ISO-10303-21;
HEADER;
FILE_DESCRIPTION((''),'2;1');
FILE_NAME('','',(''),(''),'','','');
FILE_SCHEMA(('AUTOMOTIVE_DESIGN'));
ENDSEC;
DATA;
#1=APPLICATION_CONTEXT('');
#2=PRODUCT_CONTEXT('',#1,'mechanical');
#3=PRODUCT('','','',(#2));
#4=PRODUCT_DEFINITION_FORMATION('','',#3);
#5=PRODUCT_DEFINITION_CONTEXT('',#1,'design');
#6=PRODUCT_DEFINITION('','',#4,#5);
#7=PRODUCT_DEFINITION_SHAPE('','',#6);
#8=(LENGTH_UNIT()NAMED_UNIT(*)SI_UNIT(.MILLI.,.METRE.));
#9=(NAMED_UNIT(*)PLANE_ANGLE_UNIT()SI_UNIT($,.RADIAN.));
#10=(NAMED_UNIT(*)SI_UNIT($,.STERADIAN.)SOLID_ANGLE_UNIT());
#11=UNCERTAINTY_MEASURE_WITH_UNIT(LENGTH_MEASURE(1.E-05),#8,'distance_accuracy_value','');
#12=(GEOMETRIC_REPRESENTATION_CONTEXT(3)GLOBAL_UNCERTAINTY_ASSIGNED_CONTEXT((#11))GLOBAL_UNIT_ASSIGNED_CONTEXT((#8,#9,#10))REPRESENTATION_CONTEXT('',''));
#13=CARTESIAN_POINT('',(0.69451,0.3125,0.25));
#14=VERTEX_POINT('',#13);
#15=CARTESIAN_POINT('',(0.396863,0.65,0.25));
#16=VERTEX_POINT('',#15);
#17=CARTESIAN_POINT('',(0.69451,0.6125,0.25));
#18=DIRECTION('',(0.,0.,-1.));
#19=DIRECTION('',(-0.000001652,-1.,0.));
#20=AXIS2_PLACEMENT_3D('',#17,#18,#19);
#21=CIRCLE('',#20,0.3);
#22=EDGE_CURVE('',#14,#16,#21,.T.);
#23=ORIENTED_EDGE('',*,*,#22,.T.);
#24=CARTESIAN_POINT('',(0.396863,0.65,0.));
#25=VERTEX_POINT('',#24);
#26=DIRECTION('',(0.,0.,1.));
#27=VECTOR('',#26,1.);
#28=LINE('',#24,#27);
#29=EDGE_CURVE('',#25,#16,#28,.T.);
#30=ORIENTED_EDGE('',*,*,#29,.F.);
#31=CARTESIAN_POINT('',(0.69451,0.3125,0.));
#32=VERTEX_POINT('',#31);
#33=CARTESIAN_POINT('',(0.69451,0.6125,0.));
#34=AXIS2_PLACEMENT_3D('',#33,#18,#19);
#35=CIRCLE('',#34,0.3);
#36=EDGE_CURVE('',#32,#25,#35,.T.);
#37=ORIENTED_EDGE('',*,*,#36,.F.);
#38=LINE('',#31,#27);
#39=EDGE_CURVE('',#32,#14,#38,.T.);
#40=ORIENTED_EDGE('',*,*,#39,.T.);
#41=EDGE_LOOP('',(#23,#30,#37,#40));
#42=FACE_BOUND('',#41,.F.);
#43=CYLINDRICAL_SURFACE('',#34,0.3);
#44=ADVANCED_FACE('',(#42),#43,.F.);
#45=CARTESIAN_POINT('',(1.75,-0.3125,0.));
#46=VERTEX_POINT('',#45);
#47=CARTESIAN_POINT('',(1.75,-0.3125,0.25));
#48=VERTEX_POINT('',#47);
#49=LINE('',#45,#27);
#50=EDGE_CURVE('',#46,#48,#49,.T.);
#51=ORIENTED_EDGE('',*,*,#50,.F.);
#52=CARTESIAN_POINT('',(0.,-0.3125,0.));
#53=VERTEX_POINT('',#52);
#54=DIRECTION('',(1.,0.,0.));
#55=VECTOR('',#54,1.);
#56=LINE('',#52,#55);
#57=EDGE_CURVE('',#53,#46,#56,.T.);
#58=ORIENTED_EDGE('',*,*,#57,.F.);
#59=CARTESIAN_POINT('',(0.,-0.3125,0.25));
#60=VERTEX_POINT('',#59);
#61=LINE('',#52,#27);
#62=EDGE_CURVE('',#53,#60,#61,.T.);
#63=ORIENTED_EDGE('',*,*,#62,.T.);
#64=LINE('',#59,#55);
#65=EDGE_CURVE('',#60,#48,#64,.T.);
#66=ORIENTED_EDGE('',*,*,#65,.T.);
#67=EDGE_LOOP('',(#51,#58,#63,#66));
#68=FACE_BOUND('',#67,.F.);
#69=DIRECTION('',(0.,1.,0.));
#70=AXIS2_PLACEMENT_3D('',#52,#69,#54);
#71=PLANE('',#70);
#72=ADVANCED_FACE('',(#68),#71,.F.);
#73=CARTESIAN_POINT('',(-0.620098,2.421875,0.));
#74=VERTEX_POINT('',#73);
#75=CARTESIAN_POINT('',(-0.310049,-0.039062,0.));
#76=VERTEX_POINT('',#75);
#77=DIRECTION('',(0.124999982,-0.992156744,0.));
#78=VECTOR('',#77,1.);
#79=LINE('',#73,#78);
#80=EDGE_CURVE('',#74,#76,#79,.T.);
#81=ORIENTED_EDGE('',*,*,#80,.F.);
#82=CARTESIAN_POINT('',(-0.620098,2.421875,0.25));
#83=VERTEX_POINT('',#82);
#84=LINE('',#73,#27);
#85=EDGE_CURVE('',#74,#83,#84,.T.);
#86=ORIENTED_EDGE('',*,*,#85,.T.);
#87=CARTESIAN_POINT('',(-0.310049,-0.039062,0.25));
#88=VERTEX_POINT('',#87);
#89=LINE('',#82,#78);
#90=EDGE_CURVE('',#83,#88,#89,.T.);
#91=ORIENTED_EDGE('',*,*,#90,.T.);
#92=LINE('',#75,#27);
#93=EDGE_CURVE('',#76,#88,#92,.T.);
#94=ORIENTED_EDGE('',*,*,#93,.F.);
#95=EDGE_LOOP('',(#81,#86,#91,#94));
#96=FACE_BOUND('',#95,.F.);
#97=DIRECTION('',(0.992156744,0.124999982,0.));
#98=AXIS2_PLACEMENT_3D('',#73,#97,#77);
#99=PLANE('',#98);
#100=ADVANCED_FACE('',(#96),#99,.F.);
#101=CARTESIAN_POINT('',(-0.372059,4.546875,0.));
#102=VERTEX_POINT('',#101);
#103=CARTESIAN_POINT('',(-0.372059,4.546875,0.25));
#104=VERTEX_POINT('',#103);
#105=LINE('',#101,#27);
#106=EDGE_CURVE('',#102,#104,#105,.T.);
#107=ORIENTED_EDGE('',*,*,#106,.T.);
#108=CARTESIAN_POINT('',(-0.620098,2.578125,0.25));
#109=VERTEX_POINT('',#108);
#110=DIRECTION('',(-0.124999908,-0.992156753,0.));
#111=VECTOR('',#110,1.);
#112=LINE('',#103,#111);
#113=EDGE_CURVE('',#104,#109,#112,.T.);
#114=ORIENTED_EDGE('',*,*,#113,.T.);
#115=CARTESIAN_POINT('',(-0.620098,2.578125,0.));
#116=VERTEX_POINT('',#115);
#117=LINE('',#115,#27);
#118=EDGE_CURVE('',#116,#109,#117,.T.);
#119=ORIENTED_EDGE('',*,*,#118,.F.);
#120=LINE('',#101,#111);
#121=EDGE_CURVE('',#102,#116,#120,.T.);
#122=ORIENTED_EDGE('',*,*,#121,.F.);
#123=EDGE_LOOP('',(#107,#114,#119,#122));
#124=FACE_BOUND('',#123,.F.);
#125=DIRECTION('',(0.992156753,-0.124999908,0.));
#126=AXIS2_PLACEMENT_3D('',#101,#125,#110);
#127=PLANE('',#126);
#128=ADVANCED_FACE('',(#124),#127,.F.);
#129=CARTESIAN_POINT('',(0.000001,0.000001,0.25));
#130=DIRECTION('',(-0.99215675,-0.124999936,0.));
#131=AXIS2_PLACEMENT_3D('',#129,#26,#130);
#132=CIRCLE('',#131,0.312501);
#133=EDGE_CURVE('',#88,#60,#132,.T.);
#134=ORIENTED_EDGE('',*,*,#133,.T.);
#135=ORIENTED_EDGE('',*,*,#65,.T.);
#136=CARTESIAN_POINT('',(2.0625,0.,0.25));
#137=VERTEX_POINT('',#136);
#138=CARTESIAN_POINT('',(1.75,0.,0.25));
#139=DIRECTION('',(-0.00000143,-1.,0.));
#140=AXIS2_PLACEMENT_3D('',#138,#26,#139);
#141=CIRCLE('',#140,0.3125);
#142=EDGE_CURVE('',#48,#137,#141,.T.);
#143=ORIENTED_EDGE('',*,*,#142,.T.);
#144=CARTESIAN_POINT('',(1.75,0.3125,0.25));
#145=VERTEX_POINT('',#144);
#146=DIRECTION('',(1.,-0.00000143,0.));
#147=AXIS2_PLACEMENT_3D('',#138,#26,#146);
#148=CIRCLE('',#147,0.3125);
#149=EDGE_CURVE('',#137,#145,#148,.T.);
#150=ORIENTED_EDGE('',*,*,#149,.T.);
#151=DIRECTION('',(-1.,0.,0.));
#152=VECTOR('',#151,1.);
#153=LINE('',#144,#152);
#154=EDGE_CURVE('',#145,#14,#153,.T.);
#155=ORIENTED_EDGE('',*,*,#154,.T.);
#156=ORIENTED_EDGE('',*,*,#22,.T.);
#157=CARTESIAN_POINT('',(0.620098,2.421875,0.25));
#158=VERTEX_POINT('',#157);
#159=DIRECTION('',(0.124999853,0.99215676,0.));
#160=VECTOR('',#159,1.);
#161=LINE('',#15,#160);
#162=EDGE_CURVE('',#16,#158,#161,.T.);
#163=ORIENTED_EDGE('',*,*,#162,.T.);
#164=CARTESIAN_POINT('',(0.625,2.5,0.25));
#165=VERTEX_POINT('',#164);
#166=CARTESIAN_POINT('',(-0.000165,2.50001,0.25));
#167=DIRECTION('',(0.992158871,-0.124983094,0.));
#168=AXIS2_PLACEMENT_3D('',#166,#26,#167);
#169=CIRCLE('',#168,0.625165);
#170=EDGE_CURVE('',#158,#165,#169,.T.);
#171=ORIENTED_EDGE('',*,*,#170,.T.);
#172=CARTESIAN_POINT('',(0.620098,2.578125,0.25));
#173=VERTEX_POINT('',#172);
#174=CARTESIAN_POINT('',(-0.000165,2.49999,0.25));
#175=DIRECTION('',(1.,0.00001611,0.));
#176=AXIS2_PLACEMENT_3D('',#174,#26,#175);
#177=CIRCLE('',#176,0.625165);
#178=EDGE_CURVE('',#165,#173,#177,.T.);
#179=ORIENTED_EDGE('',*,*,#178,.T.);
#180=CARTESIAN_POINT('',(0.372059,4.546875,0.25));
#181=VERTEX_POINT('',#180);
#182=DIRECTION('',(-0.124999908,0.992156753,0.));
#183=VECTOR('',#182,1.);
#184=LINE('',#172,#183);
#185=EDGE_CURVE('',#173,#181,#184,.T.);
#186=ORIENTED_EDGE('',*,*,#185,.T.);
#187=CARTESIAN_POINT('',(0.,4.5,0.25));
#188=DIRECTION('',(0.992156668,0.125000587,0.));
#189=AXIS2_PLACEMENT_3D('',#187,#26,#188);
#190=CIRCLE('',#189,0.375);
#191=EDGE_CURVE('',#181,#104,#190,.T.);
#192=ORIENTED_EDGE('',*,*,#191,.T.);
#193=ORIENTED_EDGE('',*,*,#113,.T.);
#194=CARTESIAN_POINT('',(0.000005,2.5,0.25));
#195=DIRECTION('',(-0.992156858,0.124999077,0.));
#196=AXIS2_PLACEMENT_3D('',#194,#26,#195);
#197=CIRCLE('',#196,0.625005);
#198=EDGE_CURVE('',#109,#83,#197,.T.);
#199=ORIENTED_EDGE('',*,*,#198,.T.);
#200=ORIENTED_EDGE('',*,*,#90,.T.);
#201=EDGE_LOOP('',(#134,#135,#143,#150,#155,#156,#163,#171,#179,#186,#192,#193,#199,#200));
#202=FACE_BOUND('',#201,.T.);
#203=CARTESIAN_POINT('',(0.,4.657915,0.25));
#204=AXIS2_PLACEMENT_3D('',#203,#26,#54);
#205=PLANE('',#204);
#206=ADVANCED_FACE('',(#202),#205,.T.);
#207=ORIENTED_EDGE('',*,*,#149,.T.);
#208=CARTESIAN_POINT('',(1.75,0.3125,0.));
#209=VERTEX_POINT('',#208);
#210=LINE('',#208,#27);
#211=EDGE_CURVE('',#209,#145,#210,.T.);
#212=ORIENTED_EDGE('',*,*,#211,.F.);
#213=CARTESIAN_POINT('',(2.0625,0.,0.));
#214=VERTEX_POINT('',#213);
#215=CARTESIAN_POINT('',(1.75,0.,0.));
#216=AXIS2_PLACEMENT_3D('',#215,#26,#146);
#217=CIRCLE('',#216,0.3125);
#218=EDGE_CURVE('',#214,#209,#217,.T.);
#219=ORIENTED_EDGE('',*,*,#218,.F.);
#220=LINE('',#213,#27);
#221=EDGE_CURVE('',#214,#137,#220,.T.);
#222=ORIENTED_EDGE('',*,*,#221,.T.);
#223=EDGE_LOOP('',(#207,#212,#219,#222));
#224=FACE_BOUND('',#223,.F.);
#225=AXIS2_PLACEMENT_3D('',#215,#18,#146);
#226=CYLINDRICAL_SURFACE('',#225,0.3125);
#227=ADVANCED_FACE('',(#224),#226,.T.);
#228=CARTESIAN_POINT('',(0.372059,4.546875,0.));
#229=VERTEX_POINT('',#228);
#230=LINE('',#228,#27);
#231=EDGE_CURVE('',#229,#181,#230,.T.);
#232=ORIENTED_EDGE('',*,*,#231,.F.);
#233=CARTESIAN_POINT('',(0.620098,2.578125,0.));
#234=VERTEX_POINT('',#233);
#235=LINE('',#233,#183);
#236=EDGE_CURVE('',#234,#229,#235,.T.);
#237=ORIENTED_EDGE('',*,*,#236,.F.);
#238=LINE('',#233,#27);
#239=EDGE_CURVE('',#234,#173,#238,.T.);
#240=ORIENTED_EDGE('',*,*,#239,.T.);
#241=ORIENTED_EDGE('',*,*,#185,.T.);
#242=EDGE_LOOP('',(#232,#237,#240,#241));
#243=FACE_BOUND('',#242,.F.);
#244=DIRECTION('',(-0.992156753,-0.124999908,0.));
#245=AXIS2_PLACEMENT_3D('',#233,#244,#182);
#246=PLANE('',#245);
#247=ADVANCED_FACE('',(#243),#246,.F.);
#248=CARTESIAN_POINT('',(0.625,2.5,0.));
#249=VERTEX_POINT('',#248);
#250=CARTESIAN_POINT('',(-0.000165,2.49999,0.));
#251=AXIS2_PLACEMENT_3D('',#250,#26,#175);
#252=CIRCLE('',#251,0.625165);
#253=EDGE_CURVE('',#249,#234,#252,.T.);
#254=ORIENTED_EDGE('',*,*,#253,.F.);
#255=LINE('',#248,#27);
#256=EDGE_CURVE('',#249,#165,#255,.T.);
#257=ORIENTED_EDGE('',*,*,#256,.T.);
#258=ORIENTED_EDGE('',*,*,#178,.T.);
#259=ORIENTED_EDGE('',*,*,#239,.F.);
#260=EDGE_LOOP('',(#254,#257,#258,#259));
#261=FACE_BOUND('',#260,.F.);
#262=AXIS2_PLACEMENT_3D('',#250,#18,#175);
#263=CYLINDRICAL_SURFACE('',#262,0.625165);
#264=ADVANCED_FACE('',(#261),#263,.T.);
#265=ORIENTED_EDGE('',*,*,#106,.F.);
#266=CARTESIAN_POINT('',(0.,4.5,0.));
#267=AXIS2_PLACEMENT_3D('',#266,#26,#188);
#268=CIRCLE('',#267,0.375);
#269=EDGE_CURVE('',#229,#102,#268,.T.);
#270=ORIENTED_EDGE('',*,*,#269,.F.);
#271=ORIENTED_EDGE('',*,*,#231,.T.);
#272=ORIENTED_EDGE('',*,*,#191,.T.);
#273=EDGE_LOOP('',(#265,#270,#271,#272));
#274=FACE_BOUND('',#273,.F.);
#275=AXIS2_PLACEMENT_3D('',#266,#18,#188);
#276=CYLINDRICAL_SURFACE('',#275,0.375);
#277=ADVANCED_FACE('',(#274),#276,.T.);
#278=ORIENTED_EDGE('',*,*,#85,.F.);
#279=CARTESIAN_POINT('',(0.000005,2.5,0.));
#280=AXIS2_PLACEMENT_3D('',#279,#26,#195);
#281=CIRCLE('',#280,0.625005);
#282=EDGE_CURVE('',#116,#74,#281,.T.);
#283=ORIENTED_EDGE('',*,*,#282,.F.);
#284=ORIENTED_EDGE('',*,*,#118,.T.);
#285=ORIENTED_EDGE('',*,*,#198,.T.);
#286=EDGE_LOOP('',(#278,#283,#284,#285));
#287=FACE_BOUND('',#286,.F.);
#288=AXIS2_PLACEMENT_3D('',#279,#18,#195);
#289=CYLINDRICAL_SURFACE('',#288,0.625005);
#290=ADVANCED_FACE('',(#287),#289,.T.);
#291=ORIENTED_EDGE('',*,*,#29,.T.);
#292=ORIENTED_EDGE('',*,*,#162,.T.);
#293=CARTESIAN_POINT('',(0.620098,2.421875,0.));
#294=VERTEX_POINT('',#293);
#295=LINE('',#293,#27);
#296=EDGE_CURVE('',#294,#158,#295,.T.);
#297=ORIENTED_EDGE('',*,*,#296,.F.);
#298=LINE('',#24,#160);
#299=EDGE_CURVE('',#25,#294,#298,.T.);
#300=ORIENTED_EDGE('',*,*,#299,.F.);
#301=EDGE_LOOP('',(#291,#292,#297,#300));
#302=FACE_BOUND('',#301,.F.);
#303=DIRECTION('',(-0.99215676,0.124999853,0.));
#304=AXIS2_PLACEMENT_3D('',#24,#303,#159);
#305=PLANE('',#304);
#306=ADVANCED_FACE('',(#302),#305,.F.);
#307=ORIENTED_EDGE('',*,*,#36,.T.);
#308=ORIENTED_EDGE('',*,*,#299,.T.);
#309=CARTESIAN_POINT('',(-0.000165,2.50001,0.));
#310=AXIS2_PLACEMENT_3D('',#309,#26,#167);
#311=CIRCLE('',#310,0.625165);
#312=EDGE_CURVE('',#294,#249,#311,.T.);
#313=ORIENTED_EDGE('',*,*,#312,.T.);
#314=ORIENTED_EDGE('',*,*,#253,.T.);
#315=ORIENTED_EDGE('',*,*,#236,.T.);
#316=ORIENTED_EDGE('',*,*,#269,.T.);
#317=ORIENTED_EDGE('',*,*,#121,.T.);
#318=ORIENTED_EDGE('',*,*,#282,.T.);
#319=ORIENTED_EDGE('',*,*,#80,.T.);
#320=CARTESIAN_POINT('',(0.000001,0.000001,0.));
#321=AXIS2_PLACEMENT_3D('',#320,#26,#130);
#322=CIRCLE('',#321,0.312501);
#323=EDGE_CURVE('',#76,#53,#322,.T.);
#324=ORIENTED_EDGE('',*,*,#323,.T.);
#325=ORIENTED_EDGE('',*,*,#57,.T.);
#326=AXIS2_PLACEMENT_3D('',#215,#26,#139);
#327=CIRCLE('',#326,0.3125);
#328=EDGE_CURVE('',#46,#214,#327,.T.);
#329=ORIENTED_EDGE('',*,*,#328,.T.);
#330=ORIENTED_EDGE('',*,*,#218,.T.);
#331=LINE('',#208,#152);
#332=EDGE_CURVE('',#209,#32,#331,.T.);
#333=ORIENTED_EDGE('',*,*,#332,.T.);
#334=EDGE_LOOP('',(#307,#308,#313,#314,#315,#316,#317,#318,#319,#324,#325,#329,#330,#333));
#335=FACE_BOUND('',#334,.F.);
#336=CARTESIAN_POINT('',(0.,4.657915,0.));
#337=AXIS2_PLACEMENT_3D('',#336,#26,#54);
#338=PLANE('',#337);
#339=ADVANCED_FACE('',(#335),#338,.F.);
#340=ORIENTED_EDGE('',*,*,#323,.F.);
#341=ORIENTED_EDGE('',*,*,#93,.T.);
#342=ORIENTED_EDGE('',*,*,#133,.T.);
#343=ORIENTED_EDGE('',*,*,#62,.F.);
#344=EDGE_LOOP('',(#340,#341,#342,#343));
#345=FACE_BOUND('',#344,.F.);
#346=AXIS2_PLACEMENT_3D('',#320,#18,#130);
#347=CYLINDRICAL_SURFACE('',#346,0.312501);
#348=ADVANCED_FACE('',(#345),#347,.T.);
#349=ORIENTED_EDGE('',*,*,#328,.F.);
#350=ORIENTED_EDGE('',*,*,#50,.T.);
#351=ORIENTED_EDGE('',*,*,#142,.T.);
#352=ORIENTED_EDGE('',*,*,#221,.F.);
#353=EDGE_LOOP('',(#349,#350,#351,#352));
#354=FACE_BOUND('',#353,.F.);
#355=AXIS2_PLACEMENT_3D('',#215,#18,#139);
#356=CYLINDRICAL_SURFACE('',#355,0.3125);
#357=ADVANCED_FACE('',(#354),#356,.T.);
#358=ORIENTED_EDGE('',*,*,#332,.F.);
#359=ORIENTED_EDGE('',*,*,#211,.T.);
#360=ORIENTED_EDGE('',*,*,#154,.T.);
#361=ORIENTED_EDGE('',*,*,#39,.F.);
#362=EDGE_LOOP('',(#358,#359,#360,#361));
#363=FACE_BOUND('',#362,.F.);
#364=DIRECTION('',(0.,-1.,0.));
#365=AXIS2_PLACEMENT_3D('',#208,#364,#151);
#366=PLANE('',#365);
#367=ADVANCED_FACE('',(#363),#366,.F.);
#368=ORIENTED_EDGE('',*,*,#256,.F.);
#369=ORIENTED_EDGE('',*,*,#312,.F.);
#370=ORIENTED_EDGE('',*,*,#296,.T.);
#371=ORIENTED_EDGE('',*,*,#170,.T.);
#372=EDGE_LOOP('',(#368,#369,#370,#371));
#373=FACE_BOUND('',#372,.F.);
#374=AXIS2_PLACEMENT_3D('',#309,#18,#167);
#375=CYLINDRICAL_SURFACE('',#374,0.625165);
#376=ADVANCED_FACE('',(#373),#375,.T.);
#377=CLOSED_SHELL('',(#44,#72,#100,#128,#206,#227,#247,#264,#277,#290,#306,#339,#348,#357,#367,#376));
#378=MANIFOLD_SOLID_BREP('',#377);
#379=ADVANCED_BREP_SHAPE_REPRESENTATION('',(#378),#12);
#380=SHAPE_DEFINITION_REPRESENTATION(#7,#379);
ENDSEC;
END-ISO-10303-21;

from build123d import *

# Parameters (mm, degrees)
F1_DEPTH = 0.25


with BuildPart() as f1:
    # F0 (on Top) → F1 (new body)
    with BuildSketch(Plane.XY):
        with BuildLine():
            Line((-0.372059, 4.546875), (0.372059, 4.546875))
            ThreePointArc((0.372059, 4.546875), (0, 4.875), (-0.372059, 4.546875))
        make_face()
        with BuildLine():
            ThreePointArc((-0.372059, 4.546875), (-0.023484, 4.125736), (0.375, 4.5))
            ThreePointArc((0.375, 4.5), (0.374264, 4.523484), (0.372059, 4.546875))
            Line((0.372059, 4.546875), (-0.372059, 4.546875))
        make_face()
        with BuildLine():
            ThreePointArc((0.372059, 4.546875), (0.374264, 4.523484), (0.375, 4.5))
            ThreePointArc((0.375, 4.5), (-0.023484, 4.125736), (-0.372059, 4.546875))
            Line((-0.372059, 4.546875), (-0.620098, 2.578125))
            ThreePointArc((-0.620098, 2.578125), (0, 3.125), (0.620098, 2.578125))
            Line((0.620098, 2.578125), (0.372059, 4.546875))
        make_face()
        with BuildLine():
            ThreePointArc((0.625, 2.5), (0.623773, 2.539139), (0.620098, 2.578125))
            ThreePointArc((0.620098, 2.578125), (0, 3.125), (-0.620098, 2.578125))
            ThreePointArc((-0.620098, 2.578125), (-0.625, 2.5), (-0.620098, 2.421875))
            ThreePointArc((-0.620098, 2.421875), (0, 1.875), (0.620098, 2.421875))
            ThreePointArc((0.620098, 2.421875), (0.623773, 2.460861), (0.625, 2.5))
        make_face()
        with BuildLine():
            ThreePointArc((0.3125, 0), (-0.01957, 0.311887), (-0.310049, -0.039062))
            ThreePointArc((-0.310049, -0.039062), (-0.206699, -0.234375), (0, -0.3125))
            ThreePointArc((0, -0.3125), (0.220971, -0.220971), (0.3125, 0))
        make_face()
        with BuildLine():
            ThreePointArc((1.75, 0.3125), (1.4375, 0), (1.75, -0.3125))
            ThreePointArc((1.75, -0.3125), (1.970971, -0.220971), (2.0625, 0))
            ThreePointArc((2.0625, 0), (1.970971, 0.220971), (1.75, 0.3125))
        make_face()
        with BuildLine():
            ThreePointArc((0.620098, 2.421875), (0, 1.875), (-0.620098, 2.421875))
            Line((-0.620098, 2.421875), (-0.310049, -0.039063))
            ThreePointArc((-0.310049, -0.039062), (-0.01957, 0.311887), (0.3125, 0))
            ThreePointArc((0.3125, 0), (0.220971, -0.220971), (0, -0.3125))
            Line((0, -0.3125), (1.75, -0.3125))
            ThreePointArc((1.75, -0.3125), (1.4375, 0), (1.75, 0.3125))
            Line((1.75, 0.3125), (0.69451, 0.3125))
            ThreePointArc((0.69451, 0.3125), (0.46951, 0.414069), (0.396863, 0.65))
            Line((0.396863, 0.65), (0.620098, 2.421875))
        make_face()
    extrude(amount=F1_DEPTH)


solid = f1.part
